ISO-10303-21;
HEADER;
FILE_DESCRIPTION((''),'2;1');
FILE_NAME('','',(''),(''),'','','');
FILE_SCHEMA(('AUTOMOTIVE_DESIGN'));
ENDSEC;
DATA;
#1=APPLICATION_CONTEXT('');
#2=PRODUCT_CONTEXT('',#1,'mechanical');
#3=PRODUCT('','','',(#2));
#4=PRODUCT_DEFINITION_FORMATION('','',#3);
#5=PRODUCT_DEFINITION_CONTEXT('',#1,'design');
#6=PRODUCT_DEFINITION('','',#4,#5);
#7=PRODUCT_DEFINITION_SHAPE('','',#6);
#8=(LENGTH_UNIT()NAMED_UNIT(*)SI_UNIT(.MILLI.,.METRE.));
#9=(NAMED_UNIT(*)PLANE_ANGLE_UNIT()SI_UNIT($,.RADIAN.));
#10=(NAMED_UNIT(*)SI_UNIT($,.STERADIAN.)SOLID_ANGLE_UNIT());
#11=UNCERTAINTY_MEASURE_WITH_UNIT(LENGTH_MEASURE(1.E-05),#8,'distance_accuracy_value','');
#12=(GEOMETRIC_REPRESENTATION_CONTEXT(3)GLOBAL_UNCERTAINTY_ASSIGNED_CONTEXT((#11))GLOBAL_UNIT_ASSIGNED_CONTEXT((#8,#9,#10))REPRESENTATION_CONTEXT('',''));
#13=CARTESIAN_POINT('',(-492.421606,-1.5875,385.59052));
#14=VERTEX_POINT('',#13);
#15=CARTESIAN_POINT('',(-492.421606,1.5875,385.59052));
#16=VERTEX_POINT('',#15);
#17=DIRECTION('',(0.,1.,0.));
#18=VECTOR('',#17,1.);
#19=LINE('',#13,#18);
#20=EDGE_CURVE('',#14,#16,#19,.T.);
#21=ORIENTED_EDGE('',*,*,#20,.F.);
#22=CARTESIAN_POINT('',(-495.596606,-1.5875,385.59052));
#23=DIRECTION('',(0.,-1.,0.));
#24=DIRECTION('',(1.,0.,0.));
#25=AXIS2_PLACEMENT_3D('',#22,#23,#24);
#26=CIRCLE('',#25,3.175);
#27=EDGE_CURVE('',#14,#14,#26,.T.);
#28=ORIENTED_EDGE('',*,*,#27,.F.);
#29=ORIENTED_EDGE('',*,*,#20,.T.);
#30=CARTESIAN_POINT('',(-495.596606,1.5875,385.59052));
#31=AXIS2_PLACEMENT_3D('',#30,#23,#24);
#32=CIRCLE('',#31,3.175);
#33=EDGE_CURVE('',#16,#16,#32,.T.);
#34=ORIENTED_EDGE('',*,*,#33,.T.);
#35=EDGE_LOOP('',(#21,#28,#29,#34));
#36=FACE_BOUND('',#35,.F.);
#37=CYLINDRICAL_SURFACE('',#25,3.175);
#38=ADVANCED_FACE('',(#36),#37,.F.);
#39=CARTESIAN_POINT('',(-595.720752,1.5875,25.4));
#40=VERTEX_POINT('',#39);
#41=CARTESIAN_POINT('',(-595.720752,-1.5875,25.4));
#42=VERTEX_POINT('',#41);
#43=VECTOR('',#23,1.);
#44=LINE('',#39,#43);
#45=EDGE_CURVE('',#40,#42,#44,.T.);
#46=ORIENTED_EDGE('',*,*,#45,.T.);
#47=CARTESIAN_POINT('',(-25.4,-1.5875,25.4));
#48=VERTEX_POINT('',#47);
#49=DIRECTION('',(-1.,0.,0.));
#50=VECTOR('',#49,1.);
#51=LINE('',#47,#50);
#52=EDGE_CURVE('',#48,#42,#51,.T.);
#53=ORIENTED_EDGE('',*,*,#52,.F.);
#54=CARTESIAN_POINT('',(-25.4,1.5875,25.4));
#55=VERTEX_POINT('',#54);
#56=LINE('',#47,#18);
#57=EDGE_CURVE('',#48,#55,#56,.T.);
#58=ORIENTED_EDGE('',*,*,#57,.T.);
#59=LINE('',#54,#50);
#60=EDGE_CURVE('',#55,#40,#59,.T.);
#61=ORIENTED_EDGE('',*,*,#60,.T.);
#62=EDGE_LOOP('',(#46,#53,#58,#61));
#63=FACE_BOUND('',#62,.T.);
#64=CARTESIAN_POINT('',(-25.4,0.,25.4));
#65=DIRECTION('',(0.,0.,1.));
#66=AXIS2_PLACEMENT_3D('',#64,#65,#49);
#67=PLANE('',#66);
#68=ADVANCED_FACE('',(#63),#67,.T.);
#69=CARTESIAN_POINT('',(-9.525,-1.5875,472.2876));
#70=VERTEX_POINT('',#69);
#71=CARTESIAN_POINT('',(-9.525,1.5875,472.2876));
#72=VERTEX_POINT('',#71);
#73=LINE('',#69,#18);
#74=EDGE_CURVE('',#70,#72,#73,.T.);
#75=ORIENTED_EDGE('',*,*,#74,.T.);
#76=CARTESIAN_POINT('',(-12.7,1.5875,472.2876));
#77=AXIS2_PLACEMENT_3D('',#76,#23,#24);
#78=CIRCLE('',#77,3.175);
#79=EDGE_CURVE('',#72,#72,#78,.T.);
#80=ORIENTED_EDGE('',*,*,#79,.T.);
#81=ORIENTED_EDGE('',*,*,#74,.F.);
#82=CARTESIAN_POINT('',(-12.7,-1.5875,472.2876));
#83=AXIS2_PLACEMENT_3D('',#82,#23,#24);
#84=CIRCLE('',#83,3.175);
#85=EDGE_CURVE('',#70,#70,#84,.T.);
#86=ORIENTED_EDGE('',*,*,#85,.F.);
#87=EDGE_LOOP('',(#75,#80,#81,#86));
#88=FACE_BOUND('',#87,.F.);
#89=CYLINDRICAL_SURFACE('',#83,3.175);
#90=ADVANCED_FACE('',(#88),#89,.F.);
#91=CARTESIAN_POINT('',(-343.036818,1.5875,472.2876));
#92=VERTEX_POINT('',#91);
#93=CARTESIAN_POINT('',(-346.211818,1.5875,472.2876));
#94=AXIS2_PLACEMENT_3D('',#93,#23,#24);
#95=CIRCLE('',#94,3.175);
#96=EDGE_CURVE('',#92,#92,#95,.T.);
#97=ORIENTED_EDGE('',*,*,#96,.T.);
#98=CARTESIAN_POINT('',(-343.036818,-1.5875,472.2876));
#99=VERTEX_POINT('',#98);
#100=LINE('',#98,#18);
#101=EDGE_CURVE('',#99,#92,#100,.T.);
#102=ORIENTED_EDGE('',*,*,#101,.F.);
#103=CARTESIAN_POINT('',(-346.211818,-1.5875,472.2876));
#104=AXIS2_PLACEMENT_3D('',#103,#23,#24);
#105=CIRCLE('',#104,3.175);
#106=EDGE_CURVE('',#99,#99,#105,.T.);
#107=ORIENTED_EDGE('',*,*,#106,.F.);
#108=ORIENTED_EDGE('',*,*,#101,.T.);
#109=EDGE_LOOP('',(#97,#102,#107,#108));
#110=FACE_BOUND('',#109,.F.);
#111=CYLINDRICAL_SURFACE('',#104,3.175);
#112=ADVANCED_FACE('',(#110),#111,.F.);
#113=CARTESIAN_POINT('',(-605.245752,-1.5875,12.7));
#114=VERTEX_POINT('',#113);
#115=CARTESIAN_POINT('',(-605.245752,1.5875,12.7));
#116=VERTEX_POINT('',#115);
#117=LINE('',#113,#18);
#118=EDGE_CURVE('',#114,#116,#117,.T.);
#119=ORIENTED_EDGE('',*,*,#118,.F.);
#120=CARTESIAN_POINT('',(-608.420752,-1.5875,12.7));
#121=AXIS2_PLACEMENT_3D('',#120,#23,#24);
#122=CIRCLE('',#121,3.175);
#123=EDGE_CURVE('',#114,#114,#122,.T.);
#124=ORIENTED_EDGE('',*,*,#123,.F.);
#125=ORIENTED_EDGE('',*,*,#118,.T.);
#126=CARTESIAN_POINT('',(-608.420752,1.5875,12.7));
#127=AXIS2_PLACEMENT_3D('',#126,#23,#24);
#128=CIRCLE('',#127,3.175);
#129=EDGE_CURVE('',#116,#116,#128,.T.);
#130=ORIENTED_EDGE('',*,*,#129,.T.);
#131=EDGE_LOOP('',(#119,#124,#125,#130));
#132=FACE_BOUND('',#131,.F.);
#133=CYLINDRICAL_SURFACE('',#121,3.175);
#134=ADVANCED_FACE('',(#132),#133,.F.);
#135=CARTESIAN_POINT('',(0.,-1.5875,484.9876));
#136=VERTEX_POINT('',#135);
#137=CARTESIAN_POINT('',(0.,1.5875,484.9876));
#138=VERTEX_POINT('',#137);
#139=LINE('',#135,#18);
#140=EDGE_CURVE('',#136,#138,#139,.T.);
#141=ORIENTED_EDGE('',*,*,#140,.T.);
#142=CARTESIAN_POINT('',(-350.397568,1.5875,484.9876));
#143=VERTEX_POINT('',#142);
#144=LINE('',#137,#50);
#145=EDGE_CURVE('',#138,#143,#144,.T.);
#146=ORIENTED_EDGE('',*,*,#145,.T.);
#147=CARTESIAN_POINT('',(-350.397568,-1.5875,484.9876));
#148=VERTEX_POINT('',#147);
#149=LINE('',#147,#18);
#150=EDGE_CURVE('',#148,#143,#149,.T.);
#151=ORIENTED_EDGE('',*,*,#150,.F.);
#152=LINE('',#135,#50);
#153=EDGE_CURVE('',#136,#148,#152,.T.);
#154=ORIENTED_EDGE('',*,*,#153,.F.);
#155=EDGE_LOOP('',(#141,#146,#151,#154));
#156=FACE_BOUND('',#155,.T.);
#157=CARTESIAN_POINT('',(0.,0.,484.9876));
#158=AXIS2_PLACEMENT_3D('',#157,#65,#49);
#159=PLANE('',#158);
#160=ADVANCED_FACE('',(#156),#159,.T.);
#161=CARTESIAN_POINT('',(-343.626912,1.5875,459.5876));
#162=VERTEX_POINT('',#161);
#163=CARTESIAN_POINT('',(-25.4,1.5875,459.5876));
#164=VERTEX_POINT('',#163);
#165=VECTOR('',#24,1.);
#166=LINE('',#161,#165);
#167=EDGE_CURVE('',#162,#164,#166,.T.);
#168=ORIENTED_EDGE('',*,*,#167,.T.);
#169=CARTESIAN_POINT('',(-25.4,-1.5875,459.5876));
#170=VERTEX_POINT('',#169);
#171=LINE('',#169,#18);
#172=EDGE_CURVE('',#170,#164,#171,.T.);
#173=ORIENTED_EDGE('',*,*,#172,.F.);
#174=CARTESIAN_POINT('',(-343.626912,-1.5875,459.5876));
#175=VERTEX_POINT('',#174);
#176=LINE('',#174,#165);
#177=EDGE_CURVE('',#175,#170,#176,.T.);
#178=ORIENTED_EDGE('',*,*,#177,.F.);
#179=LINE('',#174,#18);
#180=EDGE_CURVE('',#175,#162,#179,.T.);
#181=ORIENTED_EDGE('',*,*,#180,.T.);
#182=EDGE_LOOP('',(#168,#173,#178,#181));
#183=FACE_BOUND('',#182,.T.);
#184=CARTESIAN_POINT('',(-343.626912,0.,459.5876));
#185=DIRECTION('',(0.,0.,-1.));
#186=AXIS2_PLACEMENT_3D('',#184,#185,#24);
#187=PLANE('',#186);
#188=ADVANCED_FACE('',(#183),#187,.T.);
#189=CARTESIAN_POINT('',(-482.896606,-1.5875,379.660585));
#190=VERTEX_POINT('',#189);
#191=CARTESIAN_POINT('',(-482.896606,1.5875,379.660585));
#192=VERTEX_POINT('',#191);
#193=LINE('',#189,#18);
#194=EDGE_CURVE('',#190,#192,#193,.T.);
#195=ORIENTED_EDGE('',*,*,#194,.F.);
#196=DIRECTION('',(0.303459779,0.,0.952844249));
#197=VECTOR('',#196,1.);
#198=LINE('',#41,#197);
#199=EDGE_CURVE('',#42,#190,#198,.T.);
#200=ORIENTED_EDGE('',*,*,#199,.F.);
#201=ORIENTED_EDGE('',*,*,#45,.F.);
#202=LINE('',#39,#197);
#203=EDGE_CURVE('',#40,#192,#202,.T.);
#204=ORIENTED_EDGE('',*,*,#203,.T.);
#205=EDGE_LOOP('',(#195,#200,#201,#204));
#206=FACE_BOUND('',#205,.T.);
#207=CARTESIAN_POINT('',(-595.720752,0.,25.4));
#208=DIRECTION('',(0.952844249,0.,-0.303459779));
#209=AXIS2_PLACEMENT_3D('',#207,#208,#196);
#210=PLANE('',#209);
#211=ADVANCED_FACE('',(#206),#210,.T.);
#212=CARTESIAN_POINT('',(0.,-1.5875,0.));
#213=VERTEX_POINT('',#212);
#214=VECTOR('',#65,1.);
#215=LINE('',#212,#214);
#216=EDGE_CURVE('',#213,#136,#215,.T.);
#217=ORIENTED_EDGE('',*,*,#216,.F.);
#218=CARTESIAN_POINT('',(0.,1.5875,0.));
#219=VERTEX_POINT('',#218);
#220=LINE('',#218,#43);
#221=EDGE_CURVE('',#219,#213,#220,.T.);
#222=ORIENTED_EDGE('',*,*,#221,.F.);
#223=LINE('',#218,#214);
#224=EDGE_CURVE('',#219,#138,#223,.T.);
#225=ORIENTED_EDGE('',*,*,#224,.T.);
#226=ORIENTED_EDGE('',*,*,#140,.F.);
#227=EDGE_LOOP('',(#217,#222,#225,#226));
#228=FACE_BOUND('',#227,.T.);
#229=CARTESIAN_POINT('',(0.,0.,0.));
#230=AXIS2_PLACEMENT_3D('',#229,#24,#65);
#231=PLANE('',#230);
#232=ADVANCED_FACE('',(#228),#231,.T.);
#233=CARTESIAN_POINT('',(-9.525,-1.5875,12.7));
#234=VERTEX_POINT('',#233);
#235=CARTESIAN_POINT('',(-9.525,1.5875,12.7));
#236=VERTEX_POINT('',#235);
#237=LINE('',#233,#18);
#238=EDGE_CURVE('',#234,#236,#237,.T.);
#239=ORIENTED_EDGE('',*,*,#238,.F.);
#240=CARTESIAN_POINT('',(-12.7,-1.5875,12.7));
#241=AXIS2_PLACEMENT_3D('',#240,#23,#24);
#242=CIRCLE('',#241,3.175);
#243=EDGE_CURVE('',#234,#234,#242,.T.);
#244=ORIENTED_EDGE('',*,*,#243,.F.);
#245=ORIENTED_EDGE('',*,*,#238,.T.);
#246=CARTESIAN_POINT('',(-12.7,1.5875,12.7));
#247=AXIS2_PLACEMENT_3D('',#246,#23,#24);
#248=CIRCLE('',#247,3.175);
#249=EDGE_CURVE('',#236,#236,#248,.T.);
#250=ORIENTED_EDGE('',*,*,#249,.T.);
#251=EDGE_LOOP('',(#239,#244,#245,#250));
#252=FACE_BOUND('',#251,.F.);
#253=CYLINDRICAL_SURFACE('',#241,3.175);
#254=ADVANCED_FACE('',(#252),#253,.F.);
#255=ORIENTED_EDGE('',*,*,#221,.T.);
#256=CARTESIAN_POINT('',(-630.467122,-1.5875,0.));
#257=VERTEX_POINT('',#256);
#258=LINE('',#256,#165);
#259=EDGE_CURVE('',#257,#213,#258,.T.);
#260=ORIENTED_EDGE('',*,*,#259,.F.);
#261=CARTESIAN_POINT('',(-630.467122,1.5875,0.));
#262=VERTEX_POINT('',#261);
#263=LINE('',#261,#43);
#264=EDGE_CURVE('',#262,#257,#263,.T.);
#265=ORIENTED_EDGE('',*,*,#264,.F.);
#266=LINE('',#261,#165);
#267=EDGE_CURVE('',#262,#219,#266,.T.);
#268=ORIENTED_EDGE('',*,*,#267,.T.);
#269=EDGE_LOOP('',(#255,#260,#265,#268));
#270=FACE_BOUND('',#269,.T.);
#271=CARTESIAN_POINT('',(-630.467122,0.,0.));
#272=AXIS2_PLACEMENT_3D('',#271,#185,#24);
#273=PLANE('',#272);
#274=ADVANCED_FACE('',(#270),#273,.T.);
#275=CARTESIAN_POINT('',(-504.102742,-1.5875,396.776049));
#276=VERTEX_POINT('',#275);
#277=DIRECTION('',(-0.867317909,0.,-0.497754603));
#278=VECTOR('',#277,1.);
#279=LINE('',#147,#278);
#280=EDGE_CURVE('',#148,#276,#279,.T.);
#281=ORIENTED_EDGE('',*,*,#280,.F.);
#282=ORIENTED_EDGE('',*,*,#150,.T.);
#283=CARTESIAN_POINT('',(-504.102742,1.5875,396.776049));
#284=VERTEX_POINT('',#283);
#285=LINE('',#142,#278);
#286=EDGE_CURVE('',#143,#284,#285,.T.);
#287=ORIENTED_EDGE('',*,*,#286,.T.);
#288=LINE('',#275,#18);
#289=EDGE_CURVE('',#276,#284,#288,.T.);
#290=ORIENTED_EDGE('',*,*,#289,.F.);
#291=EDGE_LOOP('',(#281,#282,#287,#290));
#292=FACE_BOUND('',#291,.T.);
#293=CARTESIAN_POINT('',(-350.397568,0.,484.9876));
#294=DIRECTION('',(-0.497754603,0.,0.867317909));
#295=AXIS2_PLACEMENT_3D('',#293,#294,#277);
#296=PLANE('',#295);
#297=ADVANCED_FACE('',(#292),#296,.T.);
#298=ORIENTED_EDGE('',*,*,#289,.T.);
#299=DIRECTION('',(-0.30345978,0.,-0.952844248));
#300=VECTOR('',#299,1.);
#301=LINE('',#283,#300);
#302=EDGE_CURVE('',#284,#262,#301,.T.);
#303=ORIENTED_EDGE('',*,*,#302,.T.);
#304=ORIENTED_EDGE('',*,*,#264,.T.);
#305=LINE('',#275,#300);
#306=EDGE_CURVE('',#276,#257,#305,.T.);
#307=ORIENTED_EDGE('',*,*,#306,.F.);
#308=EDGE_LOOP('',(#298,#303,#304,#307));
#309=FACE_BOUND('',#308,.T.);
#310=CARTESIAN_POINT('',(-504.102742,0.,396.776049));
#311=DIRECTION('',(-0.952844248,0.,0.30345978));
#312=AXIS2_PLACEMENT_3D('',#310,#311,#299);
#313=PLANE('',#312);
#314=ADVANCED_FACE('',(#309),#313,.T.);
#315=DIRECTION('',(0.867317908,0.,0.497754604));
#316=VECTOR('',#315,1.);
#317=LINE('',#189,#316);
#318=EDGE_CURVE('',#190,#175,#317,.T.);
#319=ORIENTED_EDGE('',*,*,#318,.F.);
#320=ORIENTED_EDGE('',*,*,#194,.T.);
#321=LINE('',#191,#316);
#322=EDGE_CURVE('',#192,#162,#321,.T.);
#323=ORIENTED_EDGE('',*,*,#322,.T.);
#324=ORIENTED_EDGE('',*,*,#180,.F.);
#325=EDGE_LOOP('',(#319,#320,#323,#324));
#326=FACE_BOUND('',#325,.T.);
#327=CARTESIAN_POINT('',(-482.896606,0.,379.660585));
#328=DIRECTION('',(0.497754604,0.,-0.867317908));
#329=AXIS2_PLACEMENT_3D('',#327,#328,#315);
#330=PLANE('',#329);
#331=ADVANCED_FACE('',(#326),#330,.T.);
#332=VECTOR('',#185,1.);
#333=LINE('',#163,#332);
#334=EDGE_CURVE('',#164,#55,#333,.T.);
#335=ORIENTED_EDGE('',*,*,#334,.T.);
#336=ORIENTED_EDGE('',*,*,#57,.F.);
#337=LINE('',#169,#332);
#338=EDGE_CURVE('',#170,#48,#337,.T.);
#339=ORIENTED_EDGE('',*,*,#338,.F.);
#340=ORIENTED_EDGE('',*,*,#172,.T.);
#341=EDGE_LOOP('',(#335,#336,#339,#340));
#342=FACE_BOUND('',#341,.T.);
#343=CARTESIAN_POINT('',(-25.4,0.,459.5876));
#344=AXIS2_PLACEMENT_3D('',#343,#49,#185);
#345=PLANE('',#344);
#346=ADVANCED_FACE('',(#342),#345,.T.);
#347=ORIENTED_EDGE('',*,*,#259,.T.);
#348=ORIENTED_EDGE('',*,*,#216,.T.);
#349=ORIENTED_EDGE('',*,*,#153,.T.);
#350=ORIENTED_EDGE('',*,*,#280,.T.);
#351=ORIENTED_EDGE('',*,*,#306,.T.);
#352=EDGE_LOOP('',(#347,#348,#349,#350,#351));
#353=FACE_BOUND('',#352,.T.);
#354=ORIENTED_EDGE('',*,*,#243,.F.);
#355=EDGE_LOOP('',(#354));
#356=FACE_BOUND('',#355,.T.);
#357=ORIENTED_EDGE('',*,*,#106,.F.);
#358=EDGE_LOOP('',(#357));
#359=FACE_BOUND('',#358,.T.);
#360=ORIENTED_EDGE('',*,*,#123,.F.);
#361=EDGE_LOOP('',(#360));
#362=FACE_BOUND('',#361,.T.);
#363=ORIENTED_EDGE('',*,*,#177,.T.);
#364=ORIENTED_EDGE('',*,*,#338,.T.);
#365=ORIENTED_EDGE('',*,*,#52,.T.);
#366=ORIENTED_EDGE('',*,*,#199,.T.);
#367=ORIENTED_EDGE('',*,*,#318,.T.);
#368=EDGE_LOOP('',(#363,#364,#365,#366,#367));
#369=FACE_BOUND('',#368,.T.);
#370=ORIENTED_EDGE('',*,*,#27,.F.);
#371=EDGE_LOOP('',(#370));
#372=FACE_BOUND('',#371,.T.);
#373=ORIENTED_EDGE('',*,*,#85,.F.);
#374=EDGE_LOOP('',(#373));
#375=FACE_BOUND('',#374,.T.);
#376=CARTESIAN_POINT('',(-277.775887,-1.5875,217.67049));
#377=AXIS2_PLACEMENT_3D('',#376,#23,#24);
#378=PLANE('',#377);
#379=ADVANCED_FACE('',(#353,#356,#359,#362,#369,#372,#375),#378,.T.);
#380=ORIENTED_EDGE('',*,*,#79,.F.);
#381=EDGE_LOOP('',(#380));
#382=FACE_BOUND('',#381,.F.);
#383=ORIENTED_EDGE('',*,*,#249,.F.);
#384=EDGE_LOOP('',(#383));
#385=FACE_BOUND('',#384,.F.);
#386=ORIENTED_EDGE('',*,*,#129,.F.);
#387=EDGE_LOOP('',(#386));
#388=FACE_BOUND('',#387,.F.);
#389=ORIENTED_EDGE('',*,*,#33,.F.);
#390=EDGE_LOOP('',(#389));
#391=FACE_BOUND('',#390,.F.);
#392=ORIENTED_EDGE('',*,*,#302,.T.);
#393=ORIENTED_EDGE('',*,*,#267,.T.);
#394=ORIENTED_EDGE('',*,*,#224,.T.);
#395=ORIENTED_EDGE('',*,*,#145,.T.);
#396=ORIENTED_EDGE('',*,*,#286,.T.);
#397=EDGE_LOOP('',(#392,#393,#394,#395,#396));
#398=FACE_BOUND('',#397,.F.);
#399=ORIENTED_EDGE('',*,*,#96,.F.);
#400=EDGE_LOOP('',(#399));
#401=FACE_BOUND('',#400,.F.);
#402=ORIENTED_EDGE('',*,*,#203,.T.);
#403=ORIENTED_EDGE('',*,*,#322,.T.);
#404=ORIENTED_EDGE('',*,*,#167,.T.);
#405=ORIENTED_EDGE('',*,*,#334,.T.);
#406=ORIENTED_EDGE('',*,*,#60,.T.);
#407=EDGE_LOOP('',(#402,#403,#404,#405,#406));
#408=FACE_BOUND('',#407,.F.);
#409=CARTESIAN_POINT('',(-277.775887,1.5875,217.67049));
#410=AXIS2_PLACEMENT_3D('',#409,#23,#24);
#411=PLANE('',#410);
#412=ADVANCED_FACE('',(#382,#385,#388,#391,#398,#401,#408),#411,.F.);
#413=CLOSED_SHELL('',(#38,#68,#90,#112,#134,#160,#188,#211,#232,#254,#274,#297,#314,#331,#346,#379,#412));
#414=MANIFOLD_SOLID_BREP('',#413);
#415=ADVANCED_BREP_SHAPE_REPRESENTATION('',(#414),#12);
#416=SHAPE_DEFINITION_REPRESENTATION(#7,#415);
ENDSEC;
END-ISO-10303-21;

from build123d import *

# Parameters (mm, degrees)
F1_DEPTH      = 1.5875
F1_DEPTH_BACK = 1.5875
F2_R          = 3.175
F3_DEPTH      = 3.175


with BuildPart() as f1:
    # F0 (on Front) → F1 (new body, two sides)
    with BuildSketch(Plane.XZ) as f1_sk:
        Polygon((-504.102742, 396.776049), (-630.467122, 0), (0, 0), (0, 484.9876), (-350.397568, 484.9876), align=None)
        Polygon((-595.720752, 25.4), (-482.896606, 379.660585), (-343.626912, 459.5876), (-25.4, 459.5876), (-25.4, 25.4), align=None, mode=Mode.SUBTRACT)
    extrude(amount=F1_DEPTH)
    extrude(f1_sk.sketch, amount=-F1_DEPTH_BACK)

    # F2 (on face) → F3 (cut, through all)
    with BuildSketch(Plane.XZ.offset(1.5875)):
        with Locations((-12.7, 12.7)):
            Circle(F2_R)
        with Locations((-12.7, 472.2876)):
            Circle(F2_R)
        with Locations((-346.211818, 472.2876)):
            Circle(F2_R)
        with Locations((-495.596606, 385.59052)):
            Circle(F2_R)
        with Locations((-608.420752, 12.7)):
            Circle(F2_R)
    extrude(amount=-F3_DEPTH, mode=Mode.SUBTRACT)


solid = f1.part
